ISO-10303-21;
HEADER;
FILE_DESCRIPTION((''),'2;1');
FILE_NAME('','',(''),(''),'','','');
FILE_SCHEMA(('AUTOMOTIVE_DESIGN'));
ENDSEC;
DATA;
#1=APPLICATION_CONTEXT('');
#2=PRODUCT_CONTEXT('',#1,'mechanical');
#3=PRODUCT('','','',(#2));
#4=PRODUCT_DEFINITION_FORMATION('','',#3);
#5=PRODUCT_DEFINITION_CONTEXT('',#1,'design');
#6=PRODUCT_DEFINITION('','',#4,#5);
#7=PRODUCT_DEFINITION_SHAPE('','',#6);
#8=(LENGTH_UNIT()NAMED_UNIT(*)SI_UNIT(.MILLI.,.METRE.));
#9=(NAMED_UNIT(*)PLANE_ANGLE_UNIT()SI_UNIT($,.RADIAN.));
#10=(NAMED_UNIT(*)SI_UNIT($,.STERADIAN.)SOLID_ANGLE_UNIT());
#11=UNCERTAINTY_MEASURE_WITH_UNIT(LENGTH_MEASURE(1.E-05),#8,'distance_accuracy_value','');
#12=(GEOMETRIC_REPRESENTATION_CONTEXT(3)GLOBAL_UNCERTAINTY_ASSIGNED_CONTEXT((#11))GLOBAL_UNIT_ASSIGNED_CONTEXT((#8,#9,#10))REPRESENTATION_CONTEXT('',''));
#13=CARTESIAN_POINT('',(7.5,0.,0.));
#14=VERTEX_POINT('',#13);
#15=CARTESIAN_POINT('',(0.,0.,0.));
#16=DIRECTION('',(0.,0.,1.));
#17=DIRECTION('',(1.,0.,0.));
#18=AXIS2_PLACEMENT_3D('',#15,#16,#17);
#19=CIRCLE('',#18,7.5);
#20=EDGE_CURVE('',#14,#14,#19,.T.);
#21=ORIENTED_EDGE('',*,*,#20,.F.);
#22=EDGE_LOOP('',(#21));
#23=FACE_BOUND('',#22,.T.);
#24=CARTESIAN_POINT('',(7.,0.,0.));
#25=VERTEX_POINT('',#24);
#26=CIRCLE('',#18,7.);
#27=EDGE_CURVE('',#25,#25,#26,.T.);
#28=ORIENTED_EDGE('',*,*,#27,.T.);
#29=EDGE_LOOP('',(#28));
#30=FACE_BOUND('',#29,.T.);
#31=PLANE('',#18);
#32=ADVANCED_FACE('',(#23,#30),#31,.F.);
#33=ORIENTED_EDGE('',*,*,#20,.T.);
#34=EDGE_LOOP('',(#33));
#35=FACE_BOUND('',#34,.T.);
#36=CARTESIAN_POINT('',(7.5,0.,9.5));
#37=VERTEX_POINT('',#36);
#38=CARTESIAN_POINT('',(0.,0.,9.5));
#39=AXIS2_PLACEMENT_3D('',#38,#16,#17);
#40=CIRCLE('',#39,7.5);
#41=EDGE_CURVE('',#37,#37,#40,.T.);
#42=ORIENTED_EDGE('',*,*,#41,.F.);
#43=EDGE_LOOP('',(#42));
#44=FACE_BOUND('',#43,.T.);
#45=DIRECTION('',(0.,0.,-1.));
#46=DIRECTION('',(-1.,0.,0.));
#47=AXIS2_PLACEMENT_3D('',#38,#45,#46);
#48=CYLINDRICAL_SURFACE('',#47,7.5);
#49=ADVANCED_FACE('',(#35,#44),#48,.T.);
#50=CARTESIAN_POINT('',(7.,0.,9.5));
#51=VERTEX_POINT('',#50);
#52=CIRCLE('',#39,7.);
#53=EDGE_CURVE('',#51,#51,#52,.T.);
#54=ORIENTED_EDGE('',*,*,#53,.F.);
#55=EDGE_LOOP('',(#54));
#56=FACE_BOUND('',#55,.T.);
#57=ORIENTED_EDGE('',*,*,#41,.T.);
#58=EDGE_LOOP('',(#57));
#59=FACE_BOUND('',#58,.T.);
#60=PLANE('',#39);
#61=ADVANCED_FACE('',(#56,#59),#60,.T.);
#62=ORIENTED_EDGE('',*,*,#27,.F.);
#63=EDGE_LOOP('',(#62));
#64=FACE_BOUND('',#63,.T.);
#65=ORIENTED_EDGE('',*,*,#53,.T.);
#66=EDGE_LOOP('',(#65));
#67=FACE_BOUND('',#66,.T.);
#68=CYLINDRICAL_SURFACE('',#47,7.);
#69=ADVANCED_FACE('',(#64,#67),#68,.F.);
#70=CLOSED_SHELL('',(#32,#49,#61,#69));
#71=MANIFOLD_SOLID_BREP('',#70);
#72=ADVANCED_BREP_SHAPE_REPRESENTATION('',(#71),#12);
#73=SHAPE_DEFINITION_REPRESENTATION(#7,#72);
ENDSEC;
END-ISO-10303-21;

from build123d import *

# Parameters (mm, degrees)
SKIZZE1_R                       = 7.5
SKIZZE1_R_2                     = 7
AUFSATZ_LINEAR_AUSTRAGEN1_DEPTH = 9.5


with BuildPart() as part:
    # Skizze1 → Aufsatz-Linear austragen1 (new body)
    with BuildSketch(Plane.XY):
        Circle(SKIZZE1_R)
        Circle(SKIZZE1_R_2, mode=Mode.SUBTRACT)
    extrude(amount=AUFSATZ_LINEAR_AUSTRAGEN1_DEPTH)


solid = part.part
